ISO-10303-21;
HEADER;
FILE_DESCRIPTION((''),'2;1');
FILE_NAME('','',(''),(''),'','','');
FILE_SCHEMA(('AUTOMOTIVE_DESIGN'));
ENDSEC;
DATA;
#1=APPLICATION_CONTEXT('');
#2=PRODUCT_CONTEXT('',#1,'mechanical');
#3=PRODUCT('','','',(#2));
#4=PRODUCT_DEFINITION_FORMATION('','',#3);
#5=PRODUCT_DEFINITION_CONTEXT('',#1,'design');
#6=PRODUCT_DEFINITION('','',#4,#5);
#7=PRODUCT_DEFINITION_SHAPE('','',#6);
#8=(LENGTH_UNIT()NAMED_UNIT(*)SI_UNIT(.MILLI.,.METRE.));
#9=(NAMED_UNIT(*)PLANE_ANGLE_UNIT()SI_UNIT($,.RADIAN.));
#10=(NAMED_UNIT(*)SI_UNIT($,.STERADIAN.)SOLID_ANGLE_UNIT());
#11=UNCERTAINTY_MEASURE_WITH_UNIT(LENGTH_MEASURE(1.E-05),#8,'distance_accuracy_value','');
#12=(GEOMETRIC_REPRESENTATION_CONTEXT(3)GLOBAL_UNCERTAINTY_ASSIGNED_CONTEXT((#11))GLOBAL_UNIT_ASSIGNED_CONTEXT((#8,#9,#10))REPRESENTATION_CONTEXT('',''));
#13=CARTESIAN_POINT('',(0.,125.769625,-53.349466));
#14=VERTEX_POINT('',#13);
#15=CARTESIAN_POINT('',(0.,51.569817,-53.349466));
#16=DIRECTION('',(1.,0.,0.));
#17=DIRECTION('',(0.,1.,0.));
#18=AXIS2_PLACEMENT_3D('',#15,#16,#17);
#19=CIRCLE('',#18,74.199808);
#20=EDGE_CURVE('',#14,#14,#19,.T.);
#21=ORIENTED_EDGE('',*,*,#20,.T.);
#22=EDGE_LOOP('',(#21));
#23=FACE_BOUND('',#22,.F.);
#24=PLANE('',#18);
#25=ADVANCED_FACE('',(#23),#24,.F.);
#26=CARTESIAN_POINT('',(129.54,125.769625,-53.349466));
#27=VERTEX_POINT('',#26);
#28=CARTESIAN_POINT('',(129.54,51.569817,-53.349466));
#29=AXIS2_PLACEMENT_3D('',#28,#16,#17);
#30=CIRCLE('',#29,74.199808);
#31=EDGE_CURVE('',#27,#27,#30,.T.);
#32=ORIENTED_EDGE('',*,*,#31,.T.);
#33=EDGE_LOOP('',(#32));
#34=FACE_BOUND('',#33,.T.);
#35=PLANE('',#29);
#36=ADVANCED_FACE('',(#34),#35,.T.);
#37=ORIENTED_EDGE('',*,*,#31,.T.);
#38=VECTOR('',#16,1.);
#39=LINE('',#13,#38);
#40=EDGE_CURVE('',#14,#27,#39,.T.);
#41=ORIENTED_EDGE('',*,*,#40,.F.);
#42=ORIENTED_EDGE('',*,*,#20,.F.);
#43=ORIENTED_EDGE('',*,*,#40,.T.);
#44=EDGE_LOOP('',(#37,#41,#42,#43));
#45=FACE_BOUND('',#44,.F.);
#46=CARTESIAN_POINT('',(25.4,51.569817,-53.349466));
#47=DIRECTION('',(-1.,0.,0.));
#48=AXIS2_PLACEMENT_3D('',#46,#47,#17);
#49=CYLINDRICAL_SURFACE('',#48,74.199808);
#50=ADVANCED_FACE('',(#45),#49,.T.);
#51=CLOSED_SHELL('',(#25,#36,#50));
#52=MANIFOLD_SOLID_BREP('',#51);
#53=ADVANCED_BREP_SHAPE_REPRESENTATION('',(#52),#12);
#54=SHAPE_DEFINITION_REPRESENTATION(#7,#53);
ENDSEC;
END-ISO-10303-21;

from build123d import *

# Parameters (mm, degrees)
F0_R      = 74.199808
F1_DEPTH  = 25.4
F1_FACE_R = 74.199808
F2_DEPTH  = 104.14


with BuildPart() as f1:
    # F0 (on Right) → F1 (new body)
    with BuildSketch(Plane.YZ):
        with Locations((51.569817, -53.349466)):
            Circle(F0_R)
    extrude(amount=F1_DEPTH)

    # F1_face (on face) → F2 (join)
    with BuildSketch(Plane(origin=(25.4, 51.569817, -53.349466), x_dir=(0, 1, 0), z_dir=(1, 0, 0))):
        Circle(F1_FACE_R)
    extrude(amount=F2_DEPTH)


solid = f1.part
